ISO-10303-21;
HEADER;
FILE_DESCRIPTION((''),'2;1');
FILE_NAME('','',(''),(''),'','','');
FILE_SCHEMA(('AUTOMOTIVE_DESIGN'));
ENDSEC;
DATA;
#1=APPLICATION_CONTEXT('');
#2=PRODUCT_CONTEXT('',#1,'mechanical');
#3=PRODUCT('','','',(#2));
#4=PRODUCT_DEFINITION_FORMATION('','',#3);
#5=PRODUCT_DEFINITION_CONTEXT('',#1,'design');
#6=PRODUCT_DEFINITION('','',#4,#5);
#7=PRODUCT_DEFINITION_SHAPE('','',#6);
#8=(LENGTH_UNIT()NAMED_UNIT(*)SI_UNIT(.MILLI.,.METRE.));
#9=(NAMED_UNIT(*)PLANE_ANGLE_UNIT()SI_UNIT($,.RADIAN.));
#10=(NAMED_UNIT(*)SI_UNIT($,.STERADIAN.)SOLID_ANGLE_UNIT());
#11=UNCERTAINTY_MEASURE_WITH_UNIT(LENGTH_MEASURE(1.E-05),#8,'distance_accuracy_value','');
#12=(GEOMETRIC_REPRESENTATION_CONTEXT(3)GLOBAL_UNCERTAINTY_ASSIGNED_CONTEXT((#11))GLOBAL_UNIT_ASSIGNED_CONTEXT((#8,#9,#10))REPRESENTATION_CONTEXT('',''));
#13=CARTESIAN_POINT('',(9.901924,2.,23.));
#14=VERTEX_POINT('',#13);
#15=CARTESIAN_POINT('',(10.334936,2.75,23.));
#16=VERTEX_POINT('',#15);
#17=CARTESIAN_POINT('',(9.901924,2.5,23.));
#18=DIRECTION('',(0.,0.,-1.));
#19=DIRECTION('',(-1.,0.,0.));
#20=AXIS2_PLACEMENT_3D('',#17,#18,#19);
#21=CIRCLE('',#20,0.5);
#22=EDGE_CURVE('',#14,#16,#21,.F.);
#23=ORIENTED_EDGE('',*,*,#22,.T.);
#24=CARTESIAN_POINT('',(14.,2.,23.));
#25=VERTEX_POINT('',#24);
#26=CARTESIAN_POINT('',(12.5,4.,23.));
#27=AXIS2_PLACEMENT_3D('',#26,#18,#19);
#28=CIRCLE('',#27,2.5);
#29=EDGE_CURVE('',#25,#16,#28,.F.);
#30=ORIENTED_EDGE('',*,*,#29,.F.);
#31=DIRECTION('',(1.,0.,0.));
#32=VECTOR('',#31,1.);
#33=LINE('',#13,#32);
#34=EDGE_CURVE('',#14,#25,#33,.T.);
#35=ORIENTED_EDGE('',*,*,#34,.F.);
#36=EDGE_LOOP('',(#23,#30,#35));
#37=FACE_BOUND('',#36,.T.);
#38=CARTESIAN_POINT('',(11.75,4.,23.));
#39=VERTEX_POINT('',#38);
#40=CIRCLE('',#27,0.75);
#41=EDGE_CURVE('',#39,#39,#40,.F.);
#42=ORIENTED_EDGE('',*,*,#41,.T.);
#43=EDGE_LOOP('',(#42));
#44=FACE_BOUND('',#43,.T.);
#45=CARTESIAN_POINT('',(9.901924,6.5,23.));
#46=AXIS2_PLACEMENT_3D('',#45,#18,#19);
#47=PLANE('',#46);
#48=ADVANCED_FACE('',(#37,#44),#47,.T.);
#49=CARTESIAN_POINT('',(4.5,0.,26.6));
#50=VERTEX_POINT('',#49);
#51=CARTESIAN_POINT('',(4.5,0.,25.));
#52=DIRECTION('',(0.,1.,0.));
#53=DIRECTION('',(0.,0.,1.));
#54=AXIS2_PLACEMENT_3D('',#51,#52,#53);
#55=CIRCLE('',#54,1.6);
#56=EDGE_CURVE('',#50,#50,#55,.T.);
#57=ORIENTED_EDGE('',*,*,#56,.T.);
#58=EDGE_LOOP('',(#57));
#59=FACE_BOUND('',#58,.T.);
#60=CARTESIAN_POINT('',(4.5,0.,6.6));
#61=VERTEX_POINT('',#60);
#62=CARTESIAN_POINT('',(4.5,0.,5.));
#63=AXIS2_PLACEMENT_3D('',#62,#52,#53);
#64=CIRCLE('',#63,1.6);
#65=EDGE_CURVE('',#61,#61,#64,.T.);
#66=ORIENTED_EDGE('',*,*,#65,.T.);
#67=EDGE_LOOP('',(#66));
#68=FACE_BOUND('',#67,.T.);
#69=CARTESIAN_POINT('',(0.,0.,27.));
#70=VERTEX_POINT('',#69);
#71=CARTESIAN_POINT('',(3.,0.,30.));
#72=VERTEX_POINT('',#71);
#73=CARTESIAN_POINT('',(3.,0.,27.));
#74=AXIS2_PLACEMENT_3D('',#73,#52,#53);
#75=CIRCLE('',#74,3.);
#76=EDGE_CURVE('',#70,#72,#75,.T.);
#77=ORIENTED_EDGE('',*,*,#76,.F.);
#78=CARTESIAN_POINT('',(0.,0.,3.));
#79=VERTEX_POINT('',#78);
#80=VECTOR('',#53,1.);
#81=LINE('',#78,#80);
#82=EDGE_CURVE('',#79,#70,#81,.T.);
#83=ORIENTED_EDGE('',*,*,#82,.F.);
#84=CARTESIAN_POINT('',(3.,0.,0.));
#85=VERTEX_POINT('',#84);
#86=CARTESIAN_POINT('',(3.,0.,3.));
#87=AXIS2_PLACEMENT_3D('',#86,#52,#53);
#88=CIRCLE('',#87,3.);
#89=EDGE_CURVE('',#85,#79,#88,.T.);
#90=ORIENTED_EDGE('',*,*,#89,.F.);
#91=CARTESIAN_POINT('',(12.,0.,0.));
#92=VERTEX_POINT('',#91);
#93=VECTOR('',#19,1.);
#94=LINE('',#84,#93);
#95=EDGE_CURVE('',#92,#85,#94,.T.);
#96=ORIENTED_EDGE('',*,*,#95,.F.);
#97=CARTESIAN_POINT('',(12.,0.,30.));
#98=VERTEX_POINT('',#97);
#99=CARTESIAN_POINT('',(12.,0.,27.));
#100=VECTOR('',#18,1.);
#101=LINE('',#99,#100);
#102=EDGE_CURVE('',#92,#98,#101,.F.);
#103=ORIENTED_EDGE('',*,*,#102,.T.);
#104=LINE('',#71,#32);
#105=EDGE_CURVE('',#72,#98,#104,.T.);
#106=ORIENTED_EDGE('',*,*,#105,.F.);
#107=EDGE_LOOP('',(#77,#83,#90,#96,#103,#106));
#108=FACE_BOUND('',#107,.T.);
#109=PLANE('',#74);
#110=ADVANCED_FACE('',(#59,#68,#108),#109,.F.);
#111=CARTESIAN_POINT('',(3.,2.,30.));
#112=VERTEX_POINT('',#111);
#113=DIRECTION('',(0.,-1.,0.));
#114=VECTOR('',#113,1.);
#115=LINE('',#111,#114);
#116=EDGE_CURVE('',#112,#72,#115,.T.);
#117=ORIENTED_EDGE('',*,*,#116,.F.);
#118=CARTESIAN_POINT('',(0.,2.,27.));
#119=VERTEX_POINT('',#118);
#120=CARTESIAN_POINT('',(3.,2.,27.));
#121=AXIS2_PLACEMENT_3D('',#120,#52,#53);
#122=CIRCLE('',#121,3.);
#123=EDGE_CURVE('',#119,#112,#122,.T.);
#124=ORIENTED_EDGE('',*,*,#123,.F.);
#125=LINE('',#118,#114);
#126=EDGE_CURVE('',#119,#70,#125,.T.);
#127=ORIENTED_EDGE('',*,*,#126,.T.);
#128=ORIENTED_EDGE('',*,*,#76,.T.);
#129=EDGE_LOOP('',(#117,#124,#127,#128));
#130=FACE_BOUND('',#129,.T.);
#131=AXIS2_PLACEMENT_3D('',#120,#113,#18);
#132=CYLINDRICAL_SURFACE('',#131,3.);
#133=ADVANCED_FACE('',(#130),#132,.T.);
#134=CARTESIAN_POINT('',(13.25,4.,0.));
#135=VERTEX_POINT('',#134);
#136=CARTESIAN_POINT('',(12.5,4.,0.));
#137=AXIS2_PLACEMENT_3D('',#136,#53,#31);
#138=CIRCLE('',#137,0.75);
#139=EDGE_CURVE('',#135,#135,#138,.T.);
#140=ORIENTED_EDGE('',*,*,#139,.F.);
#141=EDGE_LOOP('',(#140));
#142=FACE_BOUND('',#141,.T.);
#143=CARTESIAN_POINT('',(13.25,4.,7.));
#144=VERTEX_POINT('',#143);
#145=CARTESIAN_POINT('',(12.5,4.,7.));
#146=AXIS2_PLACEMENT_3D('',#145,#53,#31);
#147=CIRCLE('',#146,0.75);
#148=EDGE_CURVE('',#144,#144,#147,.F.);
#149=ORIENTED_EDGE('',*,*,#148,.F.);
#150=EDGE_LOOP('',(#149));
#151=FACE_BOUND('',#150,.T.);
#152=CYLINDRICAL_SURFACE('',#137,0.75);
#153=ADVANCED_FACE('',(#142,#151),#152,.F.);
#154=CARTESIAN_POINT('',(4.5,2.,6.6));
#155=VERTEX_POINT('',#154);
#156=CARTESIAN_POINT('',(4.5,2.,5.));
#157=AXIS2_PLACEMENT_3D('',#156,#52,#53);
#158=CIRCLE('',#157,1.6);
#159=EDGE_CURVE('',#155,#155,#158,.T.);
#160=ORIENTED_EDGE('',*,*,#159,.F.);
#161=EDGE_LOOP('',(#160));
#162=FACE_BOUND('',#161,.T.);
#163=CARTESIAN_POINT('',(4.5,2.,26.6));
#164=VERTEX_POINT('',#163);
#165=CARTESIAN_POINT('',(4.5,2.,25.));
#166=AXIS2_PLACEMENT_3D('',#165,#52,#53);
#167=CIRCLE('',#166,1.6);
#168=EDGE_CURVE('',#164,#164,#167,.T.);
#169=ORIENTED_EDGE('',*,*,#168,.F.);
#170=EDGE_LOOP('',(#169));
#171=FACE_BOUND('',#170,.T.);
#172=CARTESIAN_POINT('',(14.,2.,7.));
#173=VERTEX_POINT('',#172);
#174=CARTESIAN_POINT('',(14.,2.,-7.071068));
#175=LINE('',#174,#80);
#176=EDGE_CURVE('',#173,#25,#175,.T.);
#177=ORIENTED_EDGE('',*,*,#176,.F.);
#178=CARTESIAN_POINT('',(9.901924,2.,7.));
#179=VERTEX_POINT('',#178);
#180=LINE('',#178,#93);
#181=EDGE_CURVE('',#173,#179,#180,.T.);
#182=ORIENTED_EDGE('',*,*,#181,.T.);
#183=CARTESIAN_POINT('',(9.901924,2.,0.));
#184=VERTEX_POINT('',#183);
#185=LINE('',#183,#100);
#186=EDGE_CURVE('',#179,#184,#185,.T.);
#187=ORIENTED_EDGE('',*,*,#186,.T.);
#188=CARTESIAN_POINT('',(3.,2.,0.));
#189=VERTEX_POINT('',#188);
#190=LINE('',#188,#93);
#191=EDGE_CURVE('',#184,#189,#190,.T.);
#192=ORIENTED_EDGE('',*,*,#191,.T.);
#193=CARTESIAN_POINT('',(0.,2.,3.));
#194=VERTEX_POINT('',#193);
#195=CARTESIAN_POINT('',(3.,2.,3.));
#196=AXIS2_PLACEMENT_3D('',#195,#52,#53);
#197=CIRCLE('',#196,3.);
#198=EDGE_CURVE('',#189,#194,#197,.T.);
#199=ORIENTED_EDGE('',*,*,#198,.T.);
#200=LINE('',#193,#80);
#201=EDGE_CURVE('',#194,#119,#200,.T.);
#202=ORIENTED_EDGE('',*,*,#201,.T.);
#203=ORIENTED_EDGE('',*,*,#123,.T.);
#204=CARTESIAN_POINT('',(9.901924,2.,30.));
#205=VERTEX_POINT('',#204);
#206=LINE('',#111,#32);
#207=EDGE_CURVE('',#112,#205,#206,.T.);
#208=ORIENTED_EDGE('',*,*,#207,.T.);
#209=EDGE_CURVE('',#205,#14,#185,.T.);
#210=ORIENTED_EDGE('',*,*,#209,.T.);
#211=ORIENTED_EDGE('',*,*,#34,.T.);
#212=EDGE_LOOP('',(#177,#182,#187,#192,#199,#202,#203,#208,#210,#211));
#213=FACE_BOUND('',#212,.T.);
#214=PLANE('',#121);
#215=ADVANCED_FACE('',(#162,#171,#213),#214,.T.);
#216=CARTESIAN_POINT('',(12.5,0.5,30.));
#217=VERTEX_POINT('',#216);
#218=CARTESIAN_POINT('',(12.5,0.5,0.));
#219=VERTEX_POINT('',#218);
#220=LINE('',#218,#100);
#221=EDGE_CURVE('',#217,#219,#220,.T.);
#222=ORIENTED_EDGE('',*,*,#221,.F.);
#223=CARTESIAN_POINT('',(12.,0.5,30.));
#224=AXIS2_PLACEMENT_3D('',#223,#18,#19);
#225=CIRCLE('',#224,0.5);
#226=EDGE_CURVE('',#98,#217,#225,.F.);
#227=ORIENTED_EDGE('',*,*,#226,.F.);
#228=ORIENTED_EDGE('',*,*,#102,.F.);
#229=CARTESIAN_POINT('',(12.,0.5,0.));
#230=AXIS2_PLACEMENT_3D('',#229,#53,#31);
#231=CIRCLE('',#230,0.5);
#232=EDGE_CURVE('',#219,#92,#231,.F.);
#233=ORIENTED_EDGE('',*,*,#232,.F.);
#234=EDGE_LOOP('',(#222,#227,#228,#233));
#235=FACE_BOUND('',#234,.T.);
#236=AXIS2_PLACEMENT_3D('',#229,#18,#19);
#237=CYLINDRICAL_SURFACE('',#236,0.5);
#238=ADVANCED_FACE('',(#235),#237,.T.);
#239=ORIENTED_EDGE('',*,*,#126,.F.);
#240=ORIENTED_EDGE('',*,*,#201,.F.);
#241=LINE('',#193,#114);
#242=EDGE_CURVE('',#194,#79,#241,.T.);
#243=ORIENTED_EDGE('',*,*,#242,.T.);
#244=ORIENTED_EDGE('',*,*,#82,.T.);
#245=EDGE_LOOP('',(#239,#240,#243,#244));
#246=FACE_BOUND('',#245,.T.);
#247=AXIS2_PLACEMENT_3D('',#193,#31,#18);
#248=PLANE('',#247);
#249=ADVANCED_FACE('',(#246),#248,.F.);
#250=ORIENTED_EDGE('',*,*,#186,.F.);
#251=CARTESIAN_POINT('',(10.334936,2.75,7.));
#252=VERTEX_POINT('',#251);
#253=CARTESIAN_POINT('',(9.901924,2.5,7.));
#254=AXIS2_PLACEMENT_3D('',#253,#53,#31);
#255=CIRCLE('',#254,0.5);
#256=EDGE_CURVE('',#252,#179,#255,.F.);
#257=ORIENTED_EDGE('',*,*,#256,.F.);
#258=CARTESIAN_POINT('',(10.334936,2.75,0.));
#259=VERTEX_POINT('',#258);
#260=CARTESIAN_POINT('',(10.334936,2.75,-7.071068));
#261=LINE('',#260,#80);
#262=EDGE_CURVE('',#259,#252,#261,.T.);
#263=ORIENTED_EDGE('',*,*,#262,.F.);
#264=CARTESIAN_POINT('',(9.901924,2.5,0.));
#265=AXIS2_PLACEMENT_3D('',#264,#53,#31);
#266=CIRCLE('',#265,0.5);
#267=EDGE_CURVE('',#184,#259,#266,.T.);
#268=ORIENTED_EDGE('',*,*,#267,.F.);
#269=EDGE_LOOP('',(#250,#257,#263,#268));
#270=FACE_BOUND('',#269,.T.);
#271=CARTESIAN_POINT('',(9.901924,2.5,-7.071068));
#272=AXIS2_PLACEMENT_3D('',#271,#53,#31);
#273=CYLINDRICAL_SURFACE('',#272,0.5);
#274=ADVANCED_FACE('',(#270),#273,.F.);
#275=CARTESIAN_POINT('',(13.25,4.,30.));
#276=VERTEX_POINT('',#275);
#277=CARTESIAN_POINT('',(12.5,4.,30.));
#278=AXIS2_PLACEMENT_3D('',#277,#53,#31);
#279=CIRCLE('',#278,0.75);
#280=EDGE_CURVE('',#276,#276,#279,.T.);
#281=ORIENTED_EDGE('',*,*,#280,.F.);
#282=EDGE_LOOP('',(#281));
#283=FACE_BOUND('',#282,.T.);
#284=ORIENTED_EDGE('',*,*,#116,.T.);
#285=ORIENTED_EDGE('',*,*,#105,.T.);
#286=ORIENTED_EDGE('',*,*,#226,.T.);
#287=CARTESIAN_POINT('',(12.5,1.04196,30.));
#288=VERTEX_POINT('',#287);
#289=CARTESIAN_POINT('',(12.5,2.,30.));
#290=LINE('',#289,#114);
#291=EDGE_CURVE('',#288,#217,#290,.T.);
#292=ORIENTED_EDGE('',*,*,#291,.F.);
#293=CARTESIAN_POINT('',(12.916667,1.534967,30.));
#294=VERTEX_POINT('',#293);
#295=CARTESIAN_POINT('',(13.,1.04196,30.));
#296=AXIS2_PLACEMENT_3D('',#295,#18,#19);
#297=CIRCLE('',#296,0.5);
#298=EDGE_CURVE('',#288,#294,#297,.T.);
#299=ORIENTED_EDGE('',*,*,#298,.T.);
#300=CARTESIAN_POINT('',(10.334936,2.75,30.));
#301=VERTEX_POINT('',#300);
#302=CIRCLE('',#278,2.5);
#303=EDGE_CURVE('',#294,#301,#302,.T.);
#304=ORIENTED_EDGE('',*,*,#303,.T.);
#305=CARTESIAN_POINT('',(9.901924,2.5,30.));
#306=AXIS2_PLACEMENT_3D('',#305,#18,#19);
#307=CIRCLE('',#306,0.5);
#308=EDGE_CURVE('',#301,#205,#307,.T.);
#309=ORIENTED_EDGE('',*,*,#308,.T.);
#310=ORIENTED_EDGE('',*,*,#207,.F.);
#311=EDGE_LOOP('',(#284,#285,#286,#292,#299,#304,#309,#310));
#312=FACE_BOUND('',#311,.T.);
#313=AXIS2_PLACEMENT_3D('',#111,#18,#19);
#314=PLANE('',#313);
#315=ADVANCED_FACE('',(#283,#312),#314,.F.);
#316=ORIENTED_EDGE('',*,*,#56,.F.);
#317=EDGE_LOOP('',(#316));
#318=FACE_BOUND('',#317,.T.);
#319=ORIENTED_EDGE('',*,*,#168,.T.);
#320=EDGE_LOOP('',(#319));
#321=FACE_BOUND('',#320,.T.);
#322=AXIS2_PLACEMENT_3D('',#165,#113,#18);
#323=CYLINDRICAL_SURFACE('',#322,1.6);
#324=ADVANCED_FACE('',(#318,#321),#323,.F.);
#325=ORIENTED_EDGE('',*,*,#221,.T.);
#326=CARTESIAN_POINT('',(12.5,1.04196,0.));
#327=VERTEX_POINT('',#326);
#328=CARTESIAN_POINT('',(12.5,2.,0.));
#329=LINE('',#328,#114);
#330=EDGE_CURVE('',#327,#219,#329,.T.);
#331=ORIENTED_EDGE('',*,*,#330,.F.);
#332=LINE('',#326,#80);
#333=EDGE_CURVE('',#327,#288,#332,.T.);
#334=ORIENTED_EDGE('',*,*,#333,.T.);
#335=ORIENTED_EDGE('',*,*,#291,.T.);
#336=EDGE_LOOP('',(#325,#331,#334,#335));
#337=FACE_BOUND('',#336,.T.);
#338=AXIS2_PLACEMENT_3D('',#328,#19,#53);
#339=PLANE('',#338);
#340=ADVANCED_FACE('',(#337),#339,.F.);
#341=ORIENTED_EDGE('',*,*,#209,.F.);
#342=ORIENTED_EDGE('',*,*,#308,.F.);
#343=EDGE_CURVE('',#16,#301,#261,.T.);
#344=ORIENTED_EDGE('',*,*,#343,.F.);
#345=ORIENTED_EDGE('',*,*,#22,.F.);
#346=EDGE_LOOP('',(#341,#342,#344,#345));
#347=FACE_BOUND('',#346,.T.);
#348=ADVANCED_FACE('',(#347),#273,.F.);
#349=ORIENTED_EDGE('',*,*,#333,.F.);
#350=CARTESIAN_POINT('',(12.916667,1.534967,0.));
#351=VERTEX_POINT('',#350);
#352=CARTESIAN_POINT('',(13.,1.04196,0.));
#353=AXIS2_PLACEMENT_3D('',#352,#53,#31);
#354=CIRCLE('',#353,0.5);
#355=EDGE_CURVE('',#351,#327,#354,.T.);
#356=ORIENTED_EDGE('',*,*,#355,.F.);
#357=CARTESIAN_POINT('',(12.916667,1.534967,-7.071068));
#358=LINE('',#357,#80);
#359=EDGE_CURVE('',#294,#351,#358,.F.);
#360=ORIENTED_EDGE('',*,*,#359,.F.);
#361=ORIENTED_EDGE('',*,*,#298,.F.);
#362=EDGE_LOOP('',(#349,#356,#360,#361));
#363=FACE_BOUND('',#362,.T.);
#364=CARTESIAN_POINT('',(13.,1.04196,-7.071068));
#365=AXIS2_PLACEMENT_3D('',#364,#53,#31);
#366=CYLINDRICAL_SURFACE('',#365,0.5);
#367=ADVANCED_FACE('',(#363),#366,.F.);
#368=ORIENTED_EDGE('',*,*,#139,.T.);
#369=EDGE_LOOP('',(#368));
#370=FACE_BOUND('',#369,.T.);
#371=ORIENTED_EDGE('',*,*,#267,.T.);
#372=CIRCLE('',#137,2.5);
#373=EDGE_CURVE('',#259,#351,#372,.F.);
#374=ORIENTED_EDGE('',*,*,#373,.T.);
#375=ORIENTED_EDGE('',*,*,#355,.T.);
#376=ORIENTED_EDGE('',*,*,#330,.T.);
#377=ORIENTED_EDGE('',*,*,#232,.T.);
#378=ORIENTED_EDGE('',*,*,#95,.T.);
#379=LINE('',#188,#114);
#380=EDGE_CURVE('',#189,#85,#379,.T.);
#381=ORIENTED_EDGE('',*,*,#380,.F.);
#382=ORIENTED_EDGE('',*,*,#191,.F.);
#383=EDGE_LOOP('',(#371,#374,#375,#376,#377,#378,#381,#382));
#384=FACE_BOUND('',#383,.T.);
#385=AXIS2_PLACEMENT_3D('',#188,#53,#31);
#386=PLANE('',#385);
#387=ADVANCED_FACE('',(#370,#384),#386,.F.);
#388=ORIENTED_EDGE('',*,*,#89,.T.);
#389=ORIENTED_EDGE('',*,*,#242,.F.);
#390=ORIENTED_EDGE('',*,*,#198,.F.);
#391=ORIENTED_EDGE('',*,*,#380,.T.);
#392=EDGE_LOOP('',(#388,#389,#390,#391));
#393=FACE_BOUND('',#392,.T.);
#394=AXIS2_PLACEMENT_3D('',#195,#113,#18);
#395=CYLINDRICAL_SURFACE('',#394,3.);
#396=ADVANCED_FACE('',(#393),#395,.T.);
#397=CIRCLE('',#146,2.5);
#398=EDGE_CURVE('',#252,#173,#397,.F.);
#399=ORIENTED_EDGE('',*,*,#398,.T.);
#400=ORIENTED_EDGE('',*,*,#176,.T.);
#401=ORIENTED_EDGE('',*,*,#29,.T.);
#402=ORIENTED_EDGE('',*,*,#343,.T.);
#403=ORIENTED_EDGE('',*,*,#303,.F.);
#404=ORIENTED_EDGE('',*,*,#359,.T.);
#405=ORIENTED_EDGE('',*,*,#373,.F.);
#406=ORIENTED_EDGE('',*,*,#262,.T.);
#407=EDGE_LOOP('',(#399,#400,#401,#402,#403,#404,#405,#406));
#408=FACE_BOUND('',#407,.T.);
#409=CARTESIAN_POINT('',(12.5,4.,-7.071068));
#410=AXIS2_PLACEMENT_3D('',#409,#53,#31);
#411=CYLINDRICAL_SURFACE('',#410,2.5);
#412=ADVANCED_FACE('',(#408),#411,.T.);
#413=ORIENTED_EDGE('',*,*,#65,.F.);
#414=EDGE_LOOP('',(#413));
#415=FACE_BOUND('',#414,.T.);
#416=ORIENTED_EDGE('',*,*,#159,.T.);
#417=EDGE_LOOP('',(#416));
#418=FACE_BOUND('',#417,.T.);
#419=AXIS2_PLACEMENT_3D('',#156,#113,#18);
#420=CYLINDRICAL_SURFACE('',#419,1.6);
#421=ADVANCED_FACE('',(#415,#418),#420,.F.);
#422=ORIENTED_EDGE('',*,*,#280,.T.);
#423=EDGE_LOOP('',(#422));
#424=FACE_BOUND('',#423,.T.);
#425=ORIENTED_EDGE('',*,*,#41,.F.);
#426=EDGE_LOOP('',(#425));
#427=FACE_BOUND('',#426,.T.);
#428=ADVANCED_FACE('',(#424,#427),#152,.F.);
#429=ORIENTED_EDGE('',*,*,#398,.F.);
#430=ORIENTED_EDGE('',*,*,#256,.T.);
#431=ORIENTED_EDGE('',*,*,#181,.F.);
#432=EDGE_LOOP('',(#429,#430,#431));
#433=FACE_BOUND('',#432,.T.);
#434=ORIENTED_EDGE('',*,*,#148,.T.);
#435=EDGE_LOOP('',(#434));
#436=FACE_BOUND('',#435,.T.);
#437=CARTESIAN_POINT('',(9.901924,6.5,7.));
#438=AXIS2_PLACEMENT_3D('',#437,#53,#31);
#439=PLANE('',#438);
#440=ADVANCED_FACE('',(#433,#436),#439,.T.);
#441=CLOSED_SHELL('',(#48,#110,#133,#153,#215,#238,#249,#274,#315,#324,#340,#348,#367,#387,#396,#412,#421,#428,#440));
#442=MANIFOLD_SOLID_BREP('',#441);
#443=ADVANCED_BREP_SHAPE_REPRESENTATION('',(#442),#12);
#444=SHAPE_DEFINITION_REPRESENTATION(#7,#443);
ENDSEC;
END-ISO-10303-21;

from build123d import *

# Parameters (mm, degrees)
SKETCH_1_R          = 1.6
EXTRUDE_1_DEPTH     = 2
SKETCH_2_R          = 2.5
EXTRUDE_2_DEPTH     = 30
FILLET_1_R          = 0.5
SKETCH_3_R          = 0.75
CUT_EXTRUDE_1_DEPTH = 35.165040612
SKETCH_4_W          = 5.098076211
SKETCH_4_H          = 16
CUT_EXTRUDE_2_DEPTH = 34.841542518


with BuildPart() as part:
    # 草图1 → 凸台-拉伸1 (new body)
    with BuildSketch(Plane(origin=(0, 0, 0), x_dir=(1, 0, 0), z_dir=(0, 1, 0))):
        with BuildLine():
            Line((3, 0), (12.5, 0))
            Line((12.5, 0), (12.5, -30))
            Line((12.5, -30), (3, -30))
            ThreePointArc((3, -30), (0.878679656, -29.121320344), (0, -27))
            Line((0, -27), (0, -3))
            ThreePointArc((0, -3), (0.878679656, -0.878679656), (3, 0))
        make_face()
        with Locations(Location((4.5, -5, 0), (0, 0, 270))):
            Circle(SKETCH_1_R, mode=Mode.SUBTRACT)
        with Locations(Location((4.5, -25, 0), (0, 0, 270))):
            Circle(SKETCH_1_R, mode=Mode.SUBTRACT)
    extrude(amount=EXTRUDE_1_DEPTH)

    # 草图2 → 凸台-拉伸2 (add)
    with BuildSketch(Plane.XY.offset(30)):
        with Locations((12.5, 4)):
            Circle(SKETCH_2_R)
    extrude(amount=-EXTRUDE_2_DEPTH)

    # 圆角1
    fillet_1_edges = [part.edges().sort_by_distance(p)[0] for p in [
        (12.5, 1.5, 15),
        (11, 2, 15),
        (12.5, 0, 15),
    ]]
    fillet(fillet_1_edges, radius=FILLET_1_R)

    # 草图3 → 切除-拉伸1 (cut, through all)
    with BuildSketch(Plane.XY.offset(30)):
        with Locations((12.5, 4)):
            Circle(SKETCH_3_R)
    extrude(amount=-CUT_EXTRUDE_1_DEPTH, mode=Mode.SUBTRACT)

    # 草图4 → 切除-拉伸2 (cut, through all)
    with BuildSketch(Plane(origin=(0, 2, 0), x_dir=(1, 0, 0), z_dir=(0, 1, 0))):
        with Locations((12.450961895, -15)):
            Rectangle(SKETCH_4_W, SKETCH_4_H)
    extrude(amount=CUT_EXTRUDE_2_DEPTH, mode=Mode.SUBTRACT)


solid = part.part
